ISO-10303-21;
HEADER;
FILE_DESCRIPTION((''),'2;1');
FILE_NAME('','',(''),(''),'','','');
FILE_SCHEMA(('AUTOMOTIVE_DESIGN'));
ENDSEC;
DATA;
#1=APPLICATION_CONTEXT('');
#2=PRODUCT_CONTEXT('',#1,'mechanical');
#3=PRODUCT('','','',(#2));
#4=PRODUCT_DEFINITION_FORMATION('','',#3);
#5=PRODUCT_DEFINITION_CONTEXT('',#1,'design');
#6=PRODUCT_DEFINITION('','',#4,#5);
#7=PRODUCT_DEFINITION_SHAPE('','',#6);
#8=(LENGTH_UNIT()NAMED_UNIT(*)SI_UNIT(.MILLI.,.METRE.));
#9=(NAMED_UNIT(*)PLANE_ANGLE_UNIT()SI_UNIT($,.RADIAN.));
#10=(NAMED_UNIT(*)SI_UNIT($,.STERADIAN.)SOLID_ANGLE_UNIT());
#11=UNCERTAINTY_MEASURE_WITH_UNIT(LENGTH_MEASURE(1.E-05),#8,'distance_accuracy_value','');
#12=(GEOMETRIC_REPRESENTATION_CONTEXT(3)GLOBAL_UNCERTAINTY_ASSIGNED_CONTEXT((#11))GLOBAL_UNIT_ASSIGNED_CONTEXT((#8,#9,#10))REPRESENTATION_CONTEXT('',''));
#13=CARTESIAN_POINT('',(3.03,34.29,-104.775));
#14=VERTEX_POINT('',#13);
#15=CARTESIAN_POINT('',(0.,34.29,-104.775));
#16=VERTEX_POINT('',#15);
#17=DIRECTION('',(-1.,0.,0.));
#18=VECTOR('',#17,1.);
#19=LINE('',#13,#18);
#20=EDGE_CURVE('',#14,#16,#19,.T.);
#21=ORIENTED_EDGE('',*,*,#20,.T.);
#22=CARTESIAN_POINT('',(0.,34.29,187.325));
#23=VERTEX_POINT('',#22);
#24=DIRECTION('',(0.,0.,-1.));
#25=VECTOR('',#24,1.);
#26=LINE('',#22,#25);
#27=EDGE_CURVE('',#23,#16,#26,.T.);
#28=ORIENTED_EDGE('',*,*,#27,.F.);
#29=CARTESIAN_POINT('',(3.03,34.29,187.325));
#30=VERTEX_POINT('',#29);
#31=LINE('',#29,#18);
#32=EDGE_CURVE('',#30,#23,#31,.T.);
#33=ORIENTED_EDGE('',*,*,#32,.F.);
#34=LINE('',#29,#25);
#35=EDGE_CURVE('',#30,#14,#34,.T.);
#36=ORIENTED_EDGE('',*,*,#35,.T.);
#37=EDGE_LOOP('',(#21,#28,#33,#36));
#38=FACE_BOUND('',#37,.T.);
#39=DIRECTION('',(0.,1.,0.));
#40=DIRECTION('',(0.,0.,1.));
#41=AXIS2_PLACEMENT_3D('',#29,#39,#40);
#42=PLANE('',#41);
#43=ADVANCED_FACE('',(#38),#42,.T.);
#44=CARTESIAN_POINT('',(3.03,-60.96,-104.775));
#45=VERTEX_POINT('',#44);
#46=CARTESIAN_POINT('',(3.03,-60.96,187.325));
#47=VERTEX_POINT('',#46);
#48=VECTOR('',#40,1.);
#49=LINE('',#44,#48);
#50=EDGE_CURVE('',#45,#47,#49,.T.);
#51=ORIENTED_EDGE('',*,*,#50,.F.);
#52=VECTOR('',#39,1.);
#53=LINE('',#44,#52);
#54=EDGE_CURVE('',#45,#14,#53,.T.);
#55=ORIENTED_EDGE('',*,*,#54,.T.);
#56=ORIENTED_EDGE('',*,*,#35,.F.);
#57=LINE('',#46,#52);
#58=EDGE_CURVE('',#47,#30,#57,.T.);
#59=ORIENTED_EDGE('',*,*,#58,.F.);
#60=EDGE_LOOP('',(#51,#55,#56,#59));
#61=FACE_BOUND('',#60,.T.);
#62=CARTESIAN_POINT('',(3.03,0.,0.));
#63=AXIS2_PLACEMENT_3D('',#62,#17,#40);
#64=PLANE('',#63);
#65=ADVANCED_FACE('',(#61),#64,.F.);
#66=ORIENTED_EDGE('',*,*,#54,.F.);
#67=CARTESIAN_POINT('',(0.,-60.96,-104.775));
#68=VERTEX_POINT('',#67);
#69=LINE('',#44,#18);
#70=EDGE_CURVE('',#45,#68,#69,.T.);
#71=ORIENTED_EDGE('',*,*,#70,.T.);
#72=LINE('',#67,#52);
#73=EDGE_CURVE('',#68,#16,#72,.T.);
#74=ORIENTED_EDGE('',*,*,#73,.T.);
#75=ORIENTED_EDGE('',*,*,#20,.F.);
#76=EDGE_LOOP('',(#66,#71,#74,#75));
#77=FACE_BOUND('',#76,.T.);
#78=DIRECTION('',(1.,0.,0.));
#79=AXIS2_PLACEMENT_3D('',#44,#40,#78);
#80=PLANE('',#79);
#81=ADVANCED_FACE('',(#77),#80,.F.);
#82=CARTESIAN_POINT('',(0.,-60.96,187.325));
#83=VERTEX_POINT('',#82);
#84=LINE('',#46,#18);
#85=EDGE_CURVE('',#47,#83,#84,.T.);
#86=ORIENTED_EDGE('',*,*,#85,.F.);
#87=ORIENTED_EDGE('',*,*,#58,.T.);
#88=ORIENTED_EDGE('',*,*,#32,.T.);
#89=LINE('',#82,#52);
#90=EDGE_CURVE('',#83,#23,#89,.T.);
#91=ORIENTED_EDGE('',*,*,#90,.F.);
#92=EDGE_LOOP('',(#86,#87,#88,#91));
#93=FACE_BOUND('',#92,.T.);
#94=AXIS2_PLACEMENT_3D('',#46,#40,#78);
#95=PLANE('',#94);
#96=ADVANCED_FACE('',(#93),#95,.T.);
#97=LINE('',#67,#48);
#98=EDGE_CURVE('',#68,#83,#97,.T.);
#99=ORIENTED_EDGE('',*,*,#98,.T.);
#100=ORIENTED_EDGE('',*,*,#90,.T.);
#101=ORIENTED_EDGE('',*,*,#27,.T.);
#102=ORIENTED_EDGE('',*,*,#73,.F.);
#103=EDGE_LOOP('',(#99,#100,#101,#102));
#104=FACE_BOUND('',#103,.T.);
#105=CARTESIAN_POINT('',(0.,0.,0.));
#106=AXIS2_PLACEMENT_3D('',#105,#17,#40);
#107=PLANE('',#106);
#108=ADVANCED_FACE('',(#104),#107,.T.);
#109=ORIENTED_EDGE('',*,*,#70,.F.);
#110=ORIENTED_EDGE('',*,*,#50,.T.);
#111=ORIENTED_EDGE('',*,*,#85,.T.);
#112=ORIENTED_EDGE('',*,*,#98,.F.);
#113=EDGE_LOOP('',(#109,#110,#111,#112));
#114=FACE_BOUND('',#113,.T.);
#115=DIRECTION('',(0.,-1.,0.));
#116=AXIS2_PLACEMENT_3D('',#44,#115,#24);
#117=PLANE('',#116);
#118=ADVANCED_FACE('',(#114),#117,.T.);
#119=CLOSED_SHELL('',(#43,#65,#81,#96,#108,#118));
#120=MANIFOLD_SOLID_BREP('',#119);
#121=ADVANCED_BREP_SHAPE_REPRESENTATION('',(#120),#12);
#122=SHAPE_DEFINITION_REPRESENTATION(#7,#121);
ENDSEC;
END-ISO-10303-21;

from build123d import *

# Parameters (mm, degrees)
SKETCH1_W           = 292.1
SKETCH1_H           = 95.25
BOSS_EXTRUDE1_DEPTH = 3.03


with BuildPart() as part:
    # Sketch1 → Boss-Extrude1 (new body)
    with BuildSketch(Plane(origin=(0, 0, 0), x_dir=(0, 0, -1), z_dir=(1, 0, 0))):
        with Locations((-41.275, -13.335)):
            Rectangle(SKETCH1_W, SKETCH1_H)
    extrude(amount=BOSS_EXTRUDE1_DEPTH)


solid = part.part
